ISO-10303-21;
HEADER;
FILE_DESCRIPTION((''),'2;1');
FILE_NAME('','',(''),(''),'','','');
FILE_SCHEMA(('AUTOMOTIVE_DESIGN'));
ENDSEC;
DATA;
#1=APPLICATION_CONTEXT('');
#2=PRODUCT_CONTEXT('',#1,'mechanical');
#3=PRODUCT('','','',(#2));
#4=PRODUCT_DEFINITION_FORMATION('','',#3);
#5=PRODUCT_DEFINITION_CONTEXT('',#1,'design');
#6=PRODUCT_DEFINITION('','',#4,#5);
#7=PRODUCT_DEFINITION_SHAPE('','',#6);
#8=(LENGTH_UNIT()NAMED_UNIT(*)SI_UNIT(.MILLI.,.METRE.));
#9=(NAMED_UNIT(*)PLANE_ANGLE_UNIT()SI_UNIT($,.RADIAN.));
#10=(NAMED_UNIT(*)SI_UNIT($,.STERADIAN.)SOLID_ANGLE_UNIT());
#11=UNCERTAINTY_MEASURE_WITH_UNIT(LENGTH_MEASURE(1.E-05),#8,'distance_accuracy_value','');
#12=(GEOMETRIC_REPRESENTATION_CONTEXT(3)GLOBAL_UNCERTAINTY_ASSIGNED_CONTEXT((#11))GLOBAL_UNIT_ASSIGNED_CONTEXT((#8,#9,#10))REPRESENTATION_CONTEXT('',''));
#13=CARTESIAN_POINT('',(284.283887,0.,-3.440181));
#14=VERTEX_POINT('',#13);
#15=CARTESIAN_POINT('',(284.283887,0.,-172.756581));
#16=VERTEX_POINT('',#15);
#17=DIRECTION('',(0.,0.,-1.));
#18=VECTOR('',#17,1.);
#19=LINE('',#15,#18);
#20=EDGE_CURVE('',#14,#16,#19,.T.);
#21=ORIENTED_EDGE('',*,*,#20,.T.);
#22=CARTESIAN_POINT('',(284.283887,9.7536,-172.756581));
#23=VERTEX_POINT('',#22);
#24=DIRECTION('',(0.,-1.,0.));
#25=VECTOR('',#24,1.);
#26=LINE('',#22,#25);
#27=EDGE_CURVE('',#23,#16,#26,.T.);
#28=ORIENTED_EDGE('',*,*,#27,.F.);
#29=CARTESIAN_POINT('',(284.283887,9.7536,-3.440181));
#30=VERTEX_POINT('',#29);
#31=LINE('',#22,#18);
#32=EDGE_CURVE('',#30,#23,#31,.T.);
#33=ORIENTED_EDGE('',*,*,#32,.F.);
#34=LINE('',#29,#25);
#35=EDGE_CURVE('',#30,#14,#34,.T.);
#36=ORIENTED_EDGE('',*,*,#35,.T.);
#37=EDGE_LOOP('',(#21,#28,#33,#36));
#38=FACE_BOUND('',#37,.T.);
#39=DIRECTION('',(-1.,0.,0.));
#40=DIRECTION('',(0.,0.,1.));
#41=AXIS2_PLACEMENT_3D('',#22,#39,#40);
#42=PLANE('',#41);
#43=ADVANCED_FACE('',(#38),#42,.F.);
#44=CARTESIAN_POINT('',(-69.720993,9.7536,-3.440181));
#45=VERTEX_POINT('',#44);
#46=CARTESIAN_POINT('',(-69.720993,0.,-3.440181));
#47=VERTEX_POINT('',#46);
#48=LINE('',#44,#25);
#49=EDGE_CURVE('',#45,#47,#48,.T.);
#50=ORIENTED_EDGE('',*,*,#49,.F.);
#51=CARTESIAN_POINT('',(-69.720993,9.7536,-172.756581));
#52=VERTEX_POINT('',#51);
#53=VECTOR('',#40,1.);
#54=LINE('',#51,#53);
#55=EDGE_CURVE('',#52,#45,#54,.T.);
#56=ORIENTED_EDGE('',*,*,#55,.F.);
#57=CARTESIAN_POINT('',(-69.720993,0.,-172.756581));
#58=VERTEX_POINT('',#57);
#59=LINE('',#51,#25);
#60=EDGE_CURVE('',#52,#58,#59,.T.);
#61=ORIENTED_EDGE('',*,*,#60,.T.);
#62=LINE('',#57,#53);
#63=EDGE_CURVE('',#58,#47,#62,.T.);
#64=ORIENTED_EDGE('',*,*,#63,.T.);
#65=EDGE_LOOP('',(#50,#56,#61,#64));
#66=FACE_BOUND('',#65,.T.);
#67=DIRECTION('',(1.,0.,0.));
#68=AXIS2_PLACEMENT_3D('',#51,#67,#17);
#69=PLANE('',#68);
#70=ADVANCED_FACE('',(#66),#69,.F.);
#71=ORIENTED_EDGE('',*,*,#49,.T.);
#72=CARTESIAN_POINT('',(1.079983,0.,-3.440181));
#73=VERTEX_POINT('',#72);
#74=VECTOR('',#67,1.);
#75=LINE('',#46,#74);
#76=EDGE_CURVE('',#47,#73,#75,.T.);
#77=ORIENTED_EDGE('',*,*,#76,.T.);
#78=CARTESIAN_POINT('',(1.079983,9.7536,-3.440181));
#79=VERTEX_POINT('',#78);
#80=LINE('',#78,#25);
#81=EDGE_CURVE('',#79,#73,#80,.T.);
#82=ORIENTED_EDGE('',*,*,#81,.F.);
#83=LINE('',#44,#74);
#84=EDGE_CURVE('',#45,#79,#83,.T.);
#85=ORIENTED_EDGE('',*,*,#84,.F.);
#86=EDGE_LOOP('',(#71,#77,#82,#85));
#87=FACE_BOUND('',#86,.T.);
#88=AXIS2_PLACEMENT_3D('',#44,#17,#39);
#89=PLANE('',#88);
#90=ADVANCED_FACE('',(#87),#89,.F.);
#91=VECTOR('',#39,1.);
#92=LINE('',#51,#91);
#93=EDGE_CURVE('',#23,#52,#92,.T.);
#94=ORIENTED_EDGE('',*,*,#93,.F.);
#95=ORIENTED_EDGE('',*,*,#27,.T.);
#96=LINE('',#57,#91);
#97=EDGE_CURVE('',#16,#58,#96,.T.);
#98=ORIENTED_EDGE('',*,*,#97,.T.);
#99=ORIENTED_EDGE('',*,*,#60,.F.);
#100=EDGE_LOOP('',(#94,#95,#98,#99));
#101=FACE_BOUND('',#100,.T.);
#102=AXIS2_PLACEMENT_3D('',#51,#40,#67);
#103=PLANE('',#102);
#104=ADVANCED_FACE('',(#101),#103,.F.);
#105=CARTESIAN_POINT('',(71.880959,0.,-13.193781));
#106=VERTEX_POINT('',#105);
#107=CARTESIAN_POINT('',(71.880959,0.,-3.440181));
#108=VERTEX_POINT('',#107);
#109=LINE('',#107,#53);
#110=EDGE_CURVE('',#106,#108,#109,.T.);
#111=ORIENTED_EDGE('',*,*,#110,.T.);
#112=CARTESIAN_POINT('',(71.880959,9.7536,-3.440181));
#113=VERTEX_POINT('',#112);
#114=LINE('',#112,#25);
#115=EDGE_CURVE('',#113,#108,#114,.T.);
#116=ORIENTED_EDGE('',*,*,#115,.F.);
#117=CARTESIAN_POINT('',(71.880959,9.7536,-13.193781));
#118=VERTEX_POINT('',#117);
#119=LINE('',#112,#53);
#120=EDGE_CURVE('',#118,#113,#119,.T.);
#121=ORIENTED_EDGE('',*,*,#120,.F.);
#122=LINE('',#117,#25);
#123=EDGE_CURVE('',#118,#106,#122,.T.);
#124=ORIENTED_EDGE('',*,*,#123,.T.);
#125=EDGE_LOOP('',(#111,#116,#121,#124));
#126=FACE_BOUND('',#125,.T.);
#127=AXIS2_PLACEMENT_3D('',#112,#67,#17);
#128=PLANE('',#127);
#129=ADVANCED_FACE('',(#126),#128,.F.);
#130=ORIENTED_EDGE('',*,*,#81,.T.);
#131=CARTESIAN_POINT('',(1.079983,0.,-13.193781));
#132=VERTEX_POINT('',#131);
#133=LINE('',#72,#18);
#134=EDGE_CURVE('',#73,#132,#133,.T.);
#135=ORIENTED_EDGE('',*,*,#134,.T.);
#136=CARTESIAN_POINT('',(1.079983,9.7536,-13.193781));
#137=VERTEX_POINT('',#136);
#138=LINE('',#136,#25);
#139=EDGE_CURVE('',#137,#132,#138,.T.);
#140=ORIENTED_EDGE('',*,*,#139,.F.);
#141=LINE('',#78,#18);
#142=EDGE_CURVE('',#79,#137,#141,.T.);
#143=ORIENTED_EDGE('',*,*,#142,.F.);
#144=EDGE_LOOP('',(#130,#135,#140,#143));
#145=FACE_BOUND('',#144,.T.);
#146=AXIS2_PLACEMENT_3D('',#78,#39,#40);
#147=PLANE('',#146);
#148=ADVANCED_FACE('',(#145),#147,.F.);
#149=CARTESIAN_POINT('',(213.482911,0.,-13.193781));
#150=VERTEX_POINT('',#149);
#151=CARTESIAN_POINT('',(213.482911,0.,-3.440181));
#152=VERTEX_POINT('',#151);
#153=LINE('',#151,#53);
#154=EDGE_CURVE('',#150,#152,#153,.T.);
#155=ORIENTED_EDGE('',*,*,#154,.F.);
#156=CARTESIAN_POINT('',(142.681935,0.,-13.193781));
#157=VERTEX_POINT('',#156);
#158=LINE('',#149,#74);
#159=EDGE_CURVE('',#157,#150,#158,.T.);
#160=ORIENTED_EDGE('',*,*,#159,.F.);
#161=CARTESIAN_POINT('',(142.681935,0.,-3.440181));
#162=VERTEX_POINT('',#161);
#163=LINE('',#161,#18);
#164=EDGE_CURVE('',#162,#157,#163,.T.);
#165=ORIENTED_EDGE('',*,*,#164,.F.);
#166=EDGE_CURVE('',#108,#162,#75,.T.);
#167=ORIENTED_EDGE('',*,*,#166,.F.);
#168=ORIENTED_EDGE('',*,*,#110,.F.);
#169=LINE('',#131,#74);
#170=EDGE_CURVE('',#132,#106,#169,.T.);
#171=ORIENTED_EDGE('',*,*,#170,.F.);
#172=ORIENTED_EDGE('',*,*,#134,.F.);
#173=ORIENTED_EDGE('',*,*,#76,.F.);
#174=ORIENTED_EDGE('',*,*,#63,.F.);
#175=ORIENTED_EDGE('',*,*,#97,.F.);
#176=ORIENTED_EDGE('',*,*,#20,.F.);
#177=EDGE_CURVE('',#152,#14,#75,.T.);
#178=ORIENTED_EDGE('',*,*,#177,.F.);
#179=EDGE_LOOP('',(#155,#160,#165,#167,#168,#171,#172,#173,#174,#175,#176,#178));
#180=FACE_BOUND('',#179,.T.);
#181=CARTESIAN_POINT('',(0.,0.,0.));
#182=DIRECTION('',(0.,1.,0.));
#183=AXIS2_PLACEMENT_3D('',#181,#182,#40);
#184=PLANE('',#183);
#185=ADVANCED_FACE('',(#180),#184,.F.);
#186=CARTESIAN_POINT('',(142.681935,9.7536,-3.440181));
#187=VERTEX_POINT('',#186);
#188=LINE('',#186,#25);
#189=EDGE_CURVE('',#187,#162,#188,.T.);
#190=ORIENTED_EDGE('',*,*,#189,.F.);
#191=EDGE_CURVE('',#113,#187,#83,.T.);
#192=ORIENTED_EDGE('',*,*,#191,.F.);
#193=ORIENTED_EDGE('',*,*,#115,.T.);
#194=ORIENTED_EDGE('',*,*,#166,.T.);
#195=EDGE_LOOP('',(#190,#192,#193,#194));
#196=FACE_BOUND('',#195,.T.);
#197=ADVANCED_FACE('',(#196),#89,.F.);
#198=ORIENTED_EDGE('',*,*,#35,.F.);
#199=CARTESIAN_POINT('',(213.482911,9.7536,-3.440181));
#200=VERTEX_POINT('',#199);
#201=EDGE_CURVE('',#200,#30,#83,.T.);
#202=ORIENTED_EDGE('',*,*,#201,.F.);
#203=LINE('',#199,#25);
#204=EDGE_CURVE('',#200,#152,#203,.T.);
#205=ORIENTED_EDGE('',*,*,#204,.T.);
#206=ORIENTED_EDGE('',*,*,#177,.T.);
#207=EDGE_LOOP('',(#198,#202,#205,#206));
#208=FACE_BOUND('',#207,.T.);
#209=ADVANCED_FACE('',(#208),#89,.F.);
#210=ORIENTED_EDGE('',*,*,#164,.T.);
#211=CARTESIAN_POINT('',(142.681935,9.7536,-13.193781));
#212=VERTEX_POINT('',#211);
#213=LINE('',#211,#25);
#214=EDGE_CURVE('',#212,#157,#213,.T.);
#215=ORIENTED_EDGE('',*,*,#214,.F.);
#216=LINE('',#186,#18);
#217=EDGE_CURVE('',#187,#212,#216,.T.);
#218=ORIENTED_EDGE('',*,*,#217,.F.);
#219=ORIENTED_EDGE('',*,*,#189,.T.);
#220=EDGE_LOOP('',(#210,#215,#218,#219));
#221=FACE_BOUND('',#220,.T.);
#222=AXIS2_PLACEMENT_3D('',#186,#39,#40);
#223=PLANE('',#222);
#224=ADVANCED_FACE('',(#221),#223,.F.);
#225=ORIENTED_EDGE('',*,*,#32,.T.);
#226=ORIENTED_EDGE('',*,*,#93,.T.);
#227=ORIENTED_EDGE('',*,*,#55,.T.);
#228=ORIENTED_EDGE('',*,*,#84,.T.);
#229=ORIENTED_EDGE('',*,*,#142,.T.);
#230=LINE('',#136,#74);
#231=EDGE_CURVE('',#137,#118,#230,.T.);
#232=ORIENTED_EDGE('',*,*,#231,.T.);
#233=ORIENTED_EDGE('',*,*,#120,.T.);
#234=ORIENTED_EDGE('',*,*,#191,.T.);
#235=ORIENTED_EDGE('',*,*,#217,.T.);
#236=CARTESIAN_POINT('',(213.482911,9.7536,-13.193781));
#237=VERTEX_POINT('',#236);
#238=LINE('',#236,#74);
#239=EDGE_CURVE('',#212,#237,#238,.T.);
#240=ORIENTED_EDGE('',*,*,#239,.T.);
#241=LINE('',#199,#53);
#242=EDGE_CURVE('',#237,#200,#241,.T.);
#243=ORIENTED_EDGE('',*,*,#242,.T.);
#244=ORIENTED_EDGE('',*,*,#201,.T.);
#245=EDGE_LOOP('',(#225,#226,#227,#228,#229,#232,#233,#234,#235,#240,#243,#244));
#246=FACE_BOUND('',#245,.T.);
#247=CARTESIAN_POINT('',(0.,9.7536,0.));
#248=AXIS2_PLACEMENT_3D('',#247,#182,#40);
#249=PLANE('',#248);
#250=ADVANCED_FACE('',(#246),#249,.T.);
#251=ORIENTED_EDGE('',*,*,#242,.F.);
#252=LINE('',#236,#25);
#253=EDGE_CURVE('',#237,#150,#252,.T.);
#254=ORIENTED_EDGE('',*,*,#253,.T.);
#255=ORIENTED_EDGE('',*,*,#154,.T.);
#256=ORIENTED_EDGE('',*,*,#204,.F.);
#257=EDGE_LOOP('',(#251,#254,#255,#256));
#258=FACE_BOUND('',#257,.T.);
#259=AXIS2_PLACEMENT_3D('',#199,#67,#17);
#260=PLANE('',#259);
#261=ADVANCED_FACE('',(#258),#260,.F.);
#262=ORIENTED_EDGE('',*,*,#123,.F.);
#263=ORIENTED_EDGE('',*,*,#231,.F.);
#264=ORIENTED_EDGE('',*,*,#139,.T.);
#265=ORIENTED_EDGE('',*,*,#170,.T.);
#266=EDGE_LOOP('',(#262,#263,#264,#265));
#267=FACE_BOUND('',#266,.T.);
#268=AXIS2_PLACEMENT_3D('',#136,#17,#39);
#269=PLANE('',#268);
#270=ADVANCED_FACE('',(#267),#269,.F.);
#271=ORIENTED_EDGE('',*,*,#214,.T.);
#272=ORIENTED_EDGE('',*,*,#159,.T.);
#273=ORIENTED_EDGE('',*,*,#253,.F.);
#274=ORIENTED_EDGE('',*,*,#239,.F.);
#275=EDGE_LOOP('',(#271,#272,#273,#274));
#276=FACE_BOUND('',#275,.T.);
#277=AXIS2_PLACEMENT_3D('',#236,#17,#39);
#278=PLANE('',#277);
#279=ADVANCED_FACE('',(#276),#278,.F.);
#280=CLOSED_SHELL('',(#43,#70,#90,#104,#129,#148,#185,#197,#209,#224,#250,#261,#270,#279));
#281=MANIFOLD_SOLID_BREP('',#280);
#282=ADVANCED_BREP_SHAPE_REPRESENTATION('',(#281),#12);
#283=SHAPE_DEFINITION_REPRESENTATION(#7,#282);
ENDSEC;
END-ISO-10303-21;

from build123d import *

# Parameters (mm, degrees)
SKETCH1_W           = 354.00488
SKETCH1_H           = 169.3164
BOSS_EXTRUDE1_DEPTH = 9.7536
SKETCH2_W           = 70.800976
SKETCH2_H           = 9.7536
CUT_EXTRUDE1_DEPTH  = 333.802189186


with BuildPart() as part:
    # Sketch1 → Boss-Extrude1 (new body)
    with BuildSketch(Plane(origin=(0, 0, 0), x_dir=(1, 0, 0), z_dir=(0, 1, 0))):
        with Locations((107.281446772, 88.098380587)):
            Rectangle(SKETCH1_W, SKETCH1_H)
    extrude(amount=BOSS_EXTRUDE1_DEPTH)

    # Sketch2 → Cut-Extrude1 (cut, through all)
    with BuildSketch(Plane.XZ):
        with Locations((178.082422772, -8.316980587)):
            Rectangle(SKETCH2_W, SKETCH2_H)
        with Locations((36.480470772, -8.316980587)):
            Rectangle(SKETCH2_W, SKETCH2_H)
    extrude(amount=-CUT_EXTRUDE1_DEPTH, mode=Mode.SUBTRACT)


solid = part.part
